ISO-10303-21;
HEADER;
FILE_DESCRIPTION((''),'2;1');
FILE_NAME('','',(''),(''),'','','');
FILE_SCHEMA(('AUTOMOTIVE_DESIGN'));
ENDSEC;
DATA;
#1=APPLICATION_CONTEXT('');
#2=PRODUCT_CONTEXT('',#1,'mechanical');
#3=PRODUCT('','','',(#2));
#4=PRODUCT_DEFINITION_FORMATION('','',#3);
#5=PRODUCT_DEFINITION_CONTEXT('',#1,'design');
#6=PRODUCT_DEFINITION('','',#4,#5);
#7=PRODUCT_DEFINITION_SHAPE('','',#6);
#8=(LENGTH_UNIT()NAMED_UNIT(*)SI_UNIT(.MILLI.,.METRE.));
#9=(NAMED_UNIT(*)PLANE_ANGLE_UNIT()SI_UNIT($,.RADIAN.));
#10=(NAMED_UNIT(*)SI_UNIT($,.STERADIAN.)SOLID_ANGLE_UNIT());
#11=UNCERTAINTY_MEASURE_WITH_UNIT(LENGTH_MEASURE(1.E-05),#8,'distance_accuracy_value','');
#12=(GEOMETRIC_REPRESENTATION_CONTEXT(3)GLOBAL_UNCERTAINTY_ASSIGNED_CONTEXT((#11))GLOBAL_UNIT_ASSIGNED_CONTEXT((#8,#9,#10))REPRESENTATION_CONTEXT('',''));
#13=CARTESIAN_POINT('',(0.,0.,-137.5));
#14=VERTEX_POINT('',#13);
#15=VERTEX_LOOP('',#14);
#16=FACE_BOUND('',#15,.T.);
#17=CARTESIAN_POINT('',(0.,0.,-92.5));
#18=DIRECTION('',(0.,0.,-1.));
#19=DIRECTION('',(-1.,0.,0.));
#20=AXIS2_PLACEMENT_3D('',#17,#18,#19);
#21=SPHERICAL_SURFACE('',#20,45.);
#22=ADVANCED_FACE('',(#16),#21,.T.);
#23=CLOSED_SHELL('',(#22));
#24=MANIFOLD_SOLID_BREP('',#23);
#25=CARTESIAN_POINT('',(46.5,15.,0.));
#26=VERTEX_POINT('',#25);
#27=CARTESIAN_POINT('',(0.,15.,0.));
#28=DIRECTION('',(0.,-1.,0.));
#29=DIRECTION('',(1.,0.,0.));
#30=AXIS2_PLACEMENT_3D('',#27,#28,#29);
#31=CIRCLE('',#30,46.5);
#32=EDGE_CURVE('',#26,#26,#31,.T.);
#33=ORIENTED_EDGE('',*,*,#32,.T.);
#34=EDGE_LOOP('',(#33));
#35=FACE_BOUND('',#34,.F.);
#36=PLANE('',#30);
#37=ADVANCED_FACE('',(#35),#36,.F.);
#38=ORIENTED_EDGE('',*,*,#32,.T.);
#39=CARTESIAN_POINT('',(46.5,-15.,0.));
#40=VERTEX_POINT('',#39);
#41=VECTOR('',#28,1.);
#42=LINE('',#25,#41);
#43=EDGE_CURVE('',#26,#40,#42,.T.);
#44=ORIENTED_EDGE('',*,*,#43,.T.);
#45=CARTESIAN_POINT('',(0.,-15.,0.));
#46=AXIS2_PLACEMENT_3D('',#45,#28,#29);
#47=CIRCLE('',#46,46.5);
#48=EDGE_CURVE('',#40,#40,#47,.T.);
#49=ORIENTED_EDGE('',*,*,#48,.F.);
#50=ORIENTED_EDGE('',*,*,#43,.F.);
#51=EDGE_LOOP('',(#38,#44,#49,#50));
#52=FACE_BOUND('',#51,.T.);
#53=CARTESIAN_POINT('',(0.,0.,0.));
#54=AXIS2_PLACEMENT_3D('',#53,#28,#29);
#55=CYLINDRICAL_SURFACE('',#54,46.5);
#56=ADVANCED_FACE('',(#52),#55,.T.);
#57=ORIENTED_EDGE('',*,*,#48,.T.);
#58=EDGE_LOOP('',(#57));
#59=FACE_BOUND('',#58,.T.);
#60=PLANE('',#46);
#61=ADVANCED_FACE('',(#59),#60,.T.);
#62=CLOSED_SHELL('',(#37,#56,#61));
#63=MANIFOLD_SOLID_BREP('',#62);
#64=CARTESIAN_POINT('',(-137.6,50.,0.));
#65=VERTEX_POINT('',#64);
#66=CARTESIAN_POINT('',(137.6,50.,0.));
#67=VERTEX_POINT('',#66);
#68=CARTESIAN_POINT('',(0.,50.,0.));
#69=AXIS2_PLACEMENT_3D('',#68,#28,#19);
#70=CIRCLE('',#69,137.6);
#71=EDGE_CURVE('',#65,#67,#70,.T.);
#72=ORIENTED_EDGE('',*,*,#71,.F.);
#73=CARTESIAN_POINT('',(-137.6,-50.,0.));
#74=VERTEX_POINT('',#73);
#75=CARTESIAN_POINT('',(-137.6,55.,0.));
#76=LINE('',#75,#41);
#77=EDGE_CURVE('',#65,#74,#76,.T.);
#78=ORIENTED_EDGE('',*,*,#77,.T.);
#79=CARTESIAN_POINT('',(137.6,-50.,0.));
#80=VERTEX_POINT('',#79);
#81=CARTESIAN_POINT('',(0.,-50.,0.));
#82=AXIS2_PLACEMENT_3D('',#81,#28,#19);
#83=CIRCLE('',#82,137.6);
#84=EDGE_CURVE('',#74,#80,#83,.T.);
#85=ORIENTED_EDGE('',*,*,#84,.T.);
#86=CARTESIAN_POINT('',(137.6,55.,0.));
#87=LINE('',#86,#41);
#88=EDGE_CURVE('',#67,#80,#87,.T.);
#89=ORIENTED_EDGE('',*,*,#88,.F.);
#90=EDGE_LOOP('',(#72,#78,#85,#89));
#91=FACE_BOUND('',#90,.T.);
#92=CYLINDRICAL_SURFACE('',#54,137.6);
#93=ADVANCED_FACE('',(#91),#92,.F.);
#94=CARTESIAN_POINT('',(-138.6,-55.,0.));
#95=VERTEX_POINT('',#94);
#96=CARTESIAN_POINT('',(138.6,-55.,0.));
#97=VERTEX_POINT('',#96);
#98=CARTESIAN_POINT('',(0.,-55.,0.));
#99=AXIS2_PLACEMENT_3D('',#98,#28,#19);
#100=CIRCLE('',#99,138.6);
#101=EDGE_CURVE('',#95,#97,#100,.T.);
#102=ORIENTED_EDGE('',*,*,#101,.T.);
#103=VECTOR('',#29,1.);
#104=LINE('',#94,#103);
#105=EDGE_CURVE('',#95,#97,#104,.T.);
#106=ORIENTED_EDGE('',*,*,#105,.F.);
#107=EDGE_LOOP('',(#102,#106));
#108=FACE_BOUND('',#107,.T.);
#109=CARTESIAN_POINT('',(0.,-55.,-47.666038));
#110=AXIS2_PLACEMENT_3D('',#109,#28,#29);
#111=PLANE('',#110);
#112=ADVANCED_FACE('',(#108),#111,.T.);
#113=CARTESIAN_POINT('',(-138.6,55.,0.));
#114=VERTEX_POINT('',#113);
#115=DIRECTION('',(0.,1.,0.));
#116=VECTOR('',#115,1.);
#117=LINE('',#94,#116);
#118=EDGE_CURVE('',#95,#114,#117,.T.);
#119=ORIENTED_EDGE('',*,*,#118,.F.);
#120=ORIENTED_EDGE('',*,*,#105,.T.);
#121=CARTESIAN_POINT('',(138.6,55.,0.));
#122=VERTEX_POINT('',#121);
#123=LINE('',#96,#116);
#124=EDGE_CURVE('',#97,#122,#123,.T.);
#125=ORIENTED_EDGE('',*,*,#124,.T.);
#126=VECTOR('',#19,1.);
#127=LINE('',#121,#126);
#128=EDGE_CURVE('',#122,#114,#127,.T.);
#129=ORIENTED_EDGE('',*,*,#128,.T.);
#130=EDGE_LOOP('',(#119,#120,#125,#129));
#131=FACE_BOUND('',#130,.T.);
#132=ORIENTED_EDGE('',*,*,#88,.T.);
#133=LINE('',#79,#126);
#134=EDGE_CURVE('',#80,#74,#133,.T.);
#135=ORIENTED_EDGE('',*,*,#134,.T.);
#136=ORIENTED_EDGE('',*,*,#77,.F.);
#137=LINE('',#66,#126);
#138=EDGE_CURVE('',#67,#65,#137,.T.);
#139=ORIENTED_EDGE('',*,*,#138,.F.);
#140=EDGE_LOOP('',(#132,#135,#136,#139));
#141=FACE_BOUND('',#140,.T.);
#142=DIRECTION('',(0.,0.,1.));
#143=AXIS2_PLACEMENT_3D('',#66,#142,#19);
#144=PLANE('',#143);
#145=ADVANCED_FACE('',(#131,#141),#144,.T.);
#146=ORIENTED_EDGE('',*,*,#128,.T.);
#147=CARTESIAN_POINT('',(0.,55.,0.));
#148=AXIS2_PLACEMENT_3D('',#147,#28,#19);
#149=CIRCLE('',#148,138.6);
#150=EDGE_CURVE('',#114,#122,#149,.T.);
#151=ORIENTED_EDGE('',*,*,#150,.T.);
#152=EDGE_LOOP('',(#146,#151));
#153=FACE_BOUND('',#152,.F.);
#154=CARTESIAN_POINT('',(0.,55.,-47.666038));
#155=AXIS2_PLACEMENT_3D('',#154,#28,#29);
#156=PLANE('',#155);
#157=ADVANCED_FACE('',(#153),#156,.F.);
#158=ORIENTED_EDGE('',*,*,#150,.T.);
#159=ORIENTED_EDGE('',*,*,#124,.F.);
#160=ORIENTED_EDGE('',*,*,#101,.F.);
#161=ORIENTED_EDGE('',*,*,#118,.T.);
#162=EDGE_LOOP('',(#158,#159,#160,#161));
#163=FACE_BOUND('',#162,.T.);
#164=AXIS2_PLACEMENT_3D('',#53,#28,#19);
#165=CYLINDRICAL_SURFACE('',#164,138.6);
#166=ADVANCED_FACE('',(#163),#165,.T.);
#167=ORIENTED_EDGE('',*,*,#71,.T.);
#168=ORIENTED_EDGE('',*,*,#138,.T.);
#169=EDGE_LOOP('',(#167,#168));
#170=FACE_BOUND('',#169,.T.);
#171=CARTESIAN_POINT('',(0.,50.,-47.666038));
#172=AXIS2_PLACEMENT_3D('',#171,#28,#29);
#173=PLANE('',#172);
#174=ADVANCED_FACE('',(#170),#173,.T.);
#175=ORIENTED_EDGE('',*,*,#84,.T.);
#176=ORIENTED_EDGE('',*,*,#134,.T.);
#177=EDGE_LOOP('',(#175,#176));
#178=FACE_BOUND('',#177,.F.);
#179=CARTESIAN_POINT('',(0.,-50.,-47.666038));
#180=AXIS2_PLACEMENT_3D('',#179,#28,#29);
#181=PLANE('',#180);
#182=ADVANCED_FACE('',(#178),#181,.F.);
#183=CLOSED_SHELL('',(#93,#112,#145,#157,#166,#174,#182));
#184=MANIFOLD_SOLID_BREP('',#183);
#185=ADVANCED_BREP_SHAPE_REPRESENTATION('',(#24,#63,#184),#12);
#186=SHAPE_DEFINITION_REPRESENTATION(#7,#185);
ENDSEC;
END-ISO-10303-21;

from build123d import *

# Parameters (mm, degrees)
F0_R     = 46.5
F1_DEPTH = 15
F4_DEPTH = 55
F5_START = 50
F5_DEPTH = 5
F6_START = -50
F6_DEPTH = 5


with BuildPart() as f1:
    # F0 (on Front) → F1 (new body, symmetric)
    with BuildSketch(Plane.XZ):
        Circle(F0_R)
    extrude(amount=F1_DEPTH, both=True)


with BuildPart() as f3:
    # F2 (on Front) → F3 (revolve)
    with BuildSketch(Plane.XZ):
        with BuildLine():
            Line((0, -137.5), (0, -47.5))
            ThreePointArc((0, -47.5), (-45, -92.5), (0, -137.5))
        make_face()
    revolve(axis=Axis((0, 0, -92.5), (0, 0, -1)))


with BuildPart() as f4:
    # F2 (on Front) → F4 (new body, symmetric)
    with BuildSketch(Plane.XZ):
        with BuildLine():
            Line((138.6, 0), (137.6, 0))
            ThreePointArc((137.6, 0), (0, -137.6), (-137.6, 0))
            Line((-137.6, 0), (-138.6, 0))
            ThreePointArc((-138.6, 0), (0, -138.6), (138.6, 0))
        make_face()
    extrude(amount=F4_DEPTH, both=True)

    # F2 (on Front) → F5 (join)
    with BuildSketch(Plane.XZ.offset(F5_START)):
        with BuildLine():
            ThreePointArc((-137.6, 0), (0, -137.6), (137.6, 0))
            Line((137.6, 0), (0, 0))
            Line((0, 0), (-137.6, 0))
        make_face()
        with BuildLine():
            ThreePointArc((0, -47.5), (31.8198051534, -60.6801948466), (45, -92.5))
            ThreePointArc((45, -92.5), (31.8198051534, -124.3198051534), (0, -137.5))
            ThreePointArc((0, -137.5), (-45, -92.5), (0, -47.5))
        make_face(mode=Mode.SUBTRACT)
        with BuildLine():
            ThreePointArc((0, -137.5), (31.8198051534, -124.3198051534), (45, -92.5))
            ThreePointArc((45, -92.5), (31.8198051534, -60.6801948466), (0, -47.5))
            Line((0, -47.5), (0, -137.5))
        make_face()
        with BuildLine():
            Line((0, -137.5), (0, -47.5))
            ThreePointArc((0, -47.5), (-45, -92.5), (0, -137.5))
        make_face()
    extrude(amount=F5_DEPTH)

    # F2 (on Front) → F6 (join)
    with BuildSketch(Plane.XZ.offset(F6_START)):
        with BuildLine():
            ThreePointArc((-137.6, 0), (0, -137.6), (137.6, 0))
            Line((137.6, 0), (0, 0))
            Line((0, 0), (-137.6, 0))
        make_face()
        with BuildLine():
            ThreePointArc((0, -47.5), (31.8198051534, -60.6801948466), (45, -92.5))
            ThreePointArc((45, -92.5), (31.8198051534, -124.3198051534), (0, -137.5))
            ThreePointArc((0, -137.5), (-45, -92.5), (0, -47.5))
        make_face(mode=Mode.SUBTRACT)
        with BuildLine():
            ThreePointArc((0, -137.5), (31.8198051534, -124.3198051534), (45, -92.5))
            ThreePointArc((45, -92.5), (31.8198051534, -60.6801948466), (0, -47.5))
            Line((0, -47.5), (0, -137.5))
        make_face()
        with BuildLine():
            Line((0, -137.5), (0, -47.5))
            ThreePointArc((0, -47.5), (-45, -92.5), (0, -137.5))
        make_face()
    extrude(amount=-F6_DEPTH)


solid = Compound([f1.part, f3.part, f4.part])
